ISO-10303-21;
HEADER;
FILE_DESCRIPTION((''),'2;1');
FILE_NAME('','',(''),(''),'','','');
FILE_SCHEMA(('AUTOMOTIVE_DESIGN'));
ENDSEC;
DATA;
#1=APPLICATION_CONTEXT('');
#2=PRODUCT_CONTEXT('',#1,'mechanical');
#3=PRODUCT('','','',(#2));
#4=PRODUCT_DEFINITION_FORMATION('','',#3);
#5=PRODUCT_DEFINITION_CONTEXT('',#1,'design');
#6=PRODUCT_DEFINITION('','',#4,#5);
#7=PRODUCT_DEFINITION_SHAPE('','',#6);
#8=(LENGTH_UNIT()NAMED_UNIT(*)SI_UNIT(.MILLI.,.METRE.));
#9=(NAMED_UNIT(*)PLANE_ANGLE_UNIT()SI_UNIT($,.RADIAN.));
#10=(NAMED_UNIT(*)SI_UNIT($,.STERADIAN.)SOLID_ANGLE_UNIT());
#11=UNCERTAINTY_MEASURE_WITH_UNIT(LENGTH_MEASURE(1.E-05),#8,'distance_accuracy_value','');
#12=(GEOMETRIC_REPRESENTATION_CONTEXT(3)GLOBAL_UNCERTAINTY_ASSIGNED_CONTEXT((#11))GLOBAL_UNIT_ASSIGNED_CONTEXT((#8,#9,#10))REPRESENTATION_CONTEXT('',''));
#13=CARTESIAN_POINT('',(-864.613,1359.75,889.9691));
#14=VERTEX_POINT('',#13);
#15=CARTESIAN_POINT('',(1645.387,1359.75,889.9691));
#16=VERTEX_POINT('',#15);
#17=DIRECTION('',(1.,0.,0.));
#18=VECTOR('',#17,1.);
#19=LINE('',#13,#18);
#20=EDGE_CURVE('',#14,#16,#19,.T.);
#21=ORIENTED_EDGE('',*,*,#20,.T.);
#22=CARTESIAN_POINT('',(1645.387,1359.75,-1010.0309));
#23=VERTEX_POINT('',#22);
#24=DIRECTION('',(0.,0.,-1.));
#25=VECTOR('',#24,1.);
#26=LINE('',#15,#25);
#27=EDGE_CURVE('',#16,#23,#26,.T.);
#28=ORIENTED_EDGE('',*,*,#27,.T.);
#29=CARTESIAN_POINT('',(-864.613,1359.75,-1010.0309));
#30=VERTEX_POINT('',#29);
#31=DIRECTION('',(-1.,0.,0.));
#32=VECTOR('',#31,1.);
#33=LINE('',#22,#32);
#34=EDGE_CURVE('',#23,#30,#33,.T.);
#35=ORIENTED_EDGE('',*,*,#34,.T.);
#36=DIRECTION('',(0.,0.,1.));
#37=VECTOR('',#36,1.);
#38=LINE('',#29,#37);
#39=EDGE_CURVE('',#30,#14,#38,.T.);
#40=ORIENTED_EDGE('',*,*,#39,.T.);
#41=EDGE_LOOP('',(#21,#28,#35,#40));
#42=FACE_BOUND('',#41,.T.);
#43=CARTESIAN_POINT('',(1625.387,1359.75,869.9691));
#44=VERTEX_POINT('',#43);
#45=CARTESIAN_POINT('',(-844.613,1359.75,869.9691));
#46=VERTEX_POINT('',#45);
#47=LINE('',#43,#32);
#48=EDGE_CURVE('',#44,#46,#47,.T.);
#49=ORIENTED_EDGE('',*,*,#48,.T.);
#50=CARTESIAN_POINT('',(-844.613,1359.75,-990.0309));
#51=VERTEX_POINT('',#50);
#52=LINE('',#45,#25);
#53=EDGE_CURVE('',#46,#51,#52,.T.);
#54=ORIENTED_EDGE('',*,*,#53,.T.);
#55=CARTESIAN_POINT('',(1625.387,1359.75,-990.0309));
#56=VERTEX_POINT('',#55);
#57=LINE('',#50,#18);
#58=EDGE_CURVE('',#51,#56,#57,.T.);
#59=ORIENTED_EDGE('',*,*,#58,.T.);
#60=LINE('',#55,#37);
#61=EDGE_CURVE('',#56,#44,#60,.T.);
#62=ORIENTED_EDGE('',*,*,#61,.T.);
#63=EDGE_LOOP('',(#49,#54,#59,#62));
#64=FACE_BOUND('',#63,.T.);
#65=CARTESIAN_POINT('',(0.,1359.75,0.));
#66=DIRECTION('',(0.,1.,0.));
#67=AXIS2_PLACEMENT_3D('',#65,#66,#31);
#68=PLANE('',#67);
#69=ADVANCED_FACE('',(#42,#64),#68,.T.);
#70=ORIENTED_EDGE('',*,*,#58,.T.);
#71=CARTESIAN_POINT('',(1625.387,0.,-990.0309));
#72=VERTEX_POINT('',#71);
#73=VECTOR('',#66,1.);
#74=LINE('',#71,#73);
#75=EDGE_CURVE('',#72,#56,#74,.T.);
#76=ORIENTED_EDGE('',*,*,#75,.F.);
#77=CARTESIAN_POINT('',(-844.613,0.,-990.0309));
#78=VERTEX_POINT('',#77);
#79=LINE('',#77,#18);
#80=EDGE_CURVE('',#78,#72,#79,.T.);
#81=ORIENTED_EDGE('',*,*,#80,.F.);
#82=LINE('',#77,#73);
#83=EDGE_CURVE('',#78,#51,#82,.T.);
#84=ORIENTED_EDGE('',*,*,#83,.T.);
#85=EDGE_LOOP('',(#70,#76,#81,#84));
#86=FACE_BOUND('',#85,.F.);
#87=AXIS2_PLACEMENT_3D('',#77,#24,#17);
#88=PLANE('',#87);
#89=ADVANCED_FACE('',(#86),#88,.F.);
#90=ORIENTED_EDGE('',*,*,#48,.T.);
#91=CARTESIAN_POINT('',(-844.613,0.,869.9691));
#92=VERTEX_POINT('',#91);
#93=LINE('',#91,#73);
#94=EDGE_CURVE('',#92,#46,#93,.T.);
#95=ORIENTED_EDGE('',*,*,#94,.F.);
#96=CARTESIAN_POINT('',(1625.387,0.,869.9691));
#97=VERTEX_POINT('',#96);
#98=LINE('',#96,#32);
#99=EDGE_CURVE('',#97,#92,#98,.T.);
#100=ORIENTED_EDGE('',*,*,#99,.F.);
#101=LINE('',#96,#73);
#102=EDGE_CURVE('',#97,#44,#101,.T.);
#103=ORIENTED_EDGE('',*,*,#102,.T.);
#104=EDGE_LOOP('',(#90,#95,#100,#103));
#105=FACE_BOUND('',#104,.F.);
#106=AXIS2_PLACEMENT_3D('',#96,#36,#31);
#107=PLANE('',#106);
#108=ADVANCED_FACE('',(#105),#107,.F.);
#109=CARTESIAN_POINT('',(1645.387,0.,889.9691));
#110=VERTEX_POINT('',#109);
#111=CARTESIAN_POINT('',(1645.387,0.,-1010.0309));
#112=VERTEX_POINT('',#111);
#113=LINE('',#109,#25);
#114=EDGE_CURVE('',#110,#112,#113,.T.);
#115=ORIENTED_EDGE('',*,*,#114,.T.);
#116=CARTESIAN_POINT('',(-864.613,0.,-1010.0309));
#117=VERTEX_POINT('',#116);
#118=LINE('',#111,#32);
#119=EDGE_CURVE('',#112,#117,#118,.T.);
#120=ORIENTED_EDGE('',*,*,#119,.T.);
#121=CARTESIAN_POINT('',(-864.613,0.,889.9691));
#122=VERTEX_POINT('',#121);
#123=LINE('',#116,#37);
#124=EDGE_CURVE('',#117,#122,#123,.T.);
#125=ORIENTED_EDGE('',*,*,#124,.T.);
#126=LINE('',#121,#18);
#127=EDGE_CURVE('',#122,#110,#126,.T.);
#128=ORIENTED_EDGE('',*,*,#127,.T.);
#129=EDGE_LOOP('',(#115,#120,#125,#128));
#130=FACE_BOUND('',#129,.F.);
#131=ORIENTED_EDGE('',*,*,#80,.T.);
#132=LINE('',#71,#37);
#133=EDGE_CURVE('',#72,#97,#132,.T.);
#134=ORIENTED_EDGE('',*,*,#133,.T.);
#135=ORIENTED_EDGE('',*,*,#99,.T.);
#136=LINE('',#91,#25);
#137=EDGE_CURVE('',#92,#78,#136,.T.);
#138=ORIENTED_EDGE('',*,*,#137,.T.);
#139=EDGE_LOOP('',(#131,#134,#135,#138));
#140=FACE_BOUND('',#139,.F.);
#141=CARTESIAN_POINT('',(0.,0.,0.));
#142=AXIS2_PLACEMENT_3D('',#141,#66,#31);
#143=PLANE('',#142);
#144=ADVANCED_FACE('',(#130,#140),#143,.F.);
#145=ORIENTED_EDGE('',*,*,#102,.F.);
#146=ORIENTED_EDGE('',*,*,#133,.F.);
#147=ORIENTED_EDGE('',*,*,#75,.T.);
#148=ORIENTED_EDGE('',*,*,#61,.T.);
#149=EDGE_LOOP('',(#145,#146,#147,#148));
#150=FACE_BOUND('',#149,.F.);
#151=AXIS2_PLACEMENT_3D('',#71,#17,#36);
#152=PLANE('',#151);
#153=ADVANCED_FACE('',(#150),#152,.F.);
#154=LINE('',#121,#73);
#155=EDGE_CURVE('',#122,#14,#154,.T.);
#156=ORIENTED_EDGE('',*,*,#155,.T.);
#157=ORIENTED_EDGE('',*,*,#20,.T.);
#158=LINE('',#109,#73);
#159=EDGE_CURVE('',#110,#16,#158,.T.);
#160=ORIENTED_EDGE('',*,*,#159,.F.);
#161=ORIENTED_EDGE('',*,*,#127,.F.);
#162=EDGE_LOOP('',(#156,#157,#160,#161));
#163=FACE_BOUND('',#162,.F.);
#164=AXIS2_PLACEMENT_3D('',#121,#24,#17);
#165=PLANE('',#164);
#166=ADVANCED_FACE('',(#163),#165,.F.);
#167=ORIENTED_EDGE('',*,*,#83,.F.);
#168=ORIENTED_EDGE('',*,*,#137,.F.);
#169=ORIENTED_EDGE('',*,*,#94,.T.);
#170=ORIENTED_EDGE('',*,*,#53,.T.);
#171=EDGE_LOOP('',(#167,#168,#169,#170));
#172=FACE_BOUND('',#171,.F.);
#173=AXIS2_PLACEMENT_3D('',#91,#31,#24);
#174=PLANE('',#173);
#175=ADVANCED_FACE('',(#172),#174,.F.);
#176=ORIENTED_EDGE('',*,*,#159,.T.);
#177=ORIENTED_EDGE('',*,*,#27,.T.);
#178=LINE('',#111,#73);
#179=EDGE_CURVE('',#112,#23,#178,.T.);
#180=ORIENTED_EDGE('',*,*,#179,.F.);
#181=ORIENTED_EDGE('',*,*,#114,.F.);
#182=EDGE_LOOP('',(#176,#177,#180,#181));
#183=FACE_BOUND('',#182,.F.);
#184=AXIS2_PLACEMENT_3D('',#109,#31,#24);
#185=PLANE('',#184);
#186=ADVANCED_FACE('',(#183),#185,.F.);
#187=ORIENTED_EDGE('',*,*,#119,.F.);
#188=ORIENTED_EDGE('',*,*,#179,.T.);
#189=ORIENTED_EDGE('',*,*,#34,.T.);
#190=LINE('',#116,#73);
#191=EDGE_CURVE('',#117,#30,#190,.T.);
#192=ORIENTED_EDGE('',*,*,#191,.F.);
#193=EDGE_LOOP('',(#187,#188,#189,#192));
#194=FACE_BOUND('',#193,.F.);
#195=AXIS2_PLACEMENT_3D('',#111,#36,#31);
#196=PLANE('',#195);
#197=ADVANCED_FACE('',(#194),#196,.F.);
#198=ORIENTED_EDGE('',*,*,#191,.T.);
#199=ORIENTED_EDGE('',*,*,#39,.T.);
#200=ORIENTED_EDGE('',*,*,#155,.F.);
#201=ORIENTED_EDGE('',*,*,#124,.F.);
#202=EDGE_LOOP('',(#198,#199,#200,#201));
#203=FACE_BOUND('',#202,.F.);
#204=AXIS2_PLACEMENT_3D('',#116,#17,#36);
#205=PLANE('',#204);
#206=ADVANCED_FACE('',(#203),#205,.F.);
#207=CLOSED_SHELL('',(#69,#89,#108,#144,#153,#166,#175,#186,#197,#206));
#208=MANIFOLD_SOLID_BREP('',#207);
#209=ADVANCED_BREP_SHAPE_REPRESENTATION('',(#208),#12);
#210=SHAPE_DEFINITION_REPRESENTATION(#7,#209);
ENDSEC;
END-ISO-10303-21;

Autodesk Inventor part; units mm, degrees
ref_plane "YZ Plane" through (0, 0, 0) normal (1, 0, 0) x (0, 1, 0)
ref_plane "XZ Plane" through (0, 0, 0) normal (0, 1, 0) x (-1, 0, 0)
ref_plane "XY Plane" through (0, 0, 0) normal (0, 0, 1) x (1, 0, 0)
sketch "Эскиз1" plane through (0, 0, 0) normal (0, 1, 0) x (-1, 0, 0)
  line L0 (-1625.387, 869.9691) -> (844.613, 869.9691)
  line L1 (844.613, 869.9691) -> (844.613, -990.0309)
  line L2 (844.613, -990.0309) -> (-1625.387, -990.0309)
  line L3 (-1625.387, -990.0309) -> (-1625.387, 869.9691)
  line L4 (864.613, 889.9691) -> (-1645.387, 889.9691)
  line L5 (-1645.387, 889.9691) -> (-1645.387, -1010.0309)
  line L6 (-1645.387, -1010.0309) -> (864.613, -1010.0309)
  line L7 (864.613, -1010.0309) -> (864.613, 889.9691)
  point P0 (0, 0)
  dimension "d0" = 2470
  dimension "d1" = 1860
  dimension "d2" = 20
extrude "Выдавливание1" add sketch "Эскиз1" along normal blind 1359.75
properties part number "Back_ground"
